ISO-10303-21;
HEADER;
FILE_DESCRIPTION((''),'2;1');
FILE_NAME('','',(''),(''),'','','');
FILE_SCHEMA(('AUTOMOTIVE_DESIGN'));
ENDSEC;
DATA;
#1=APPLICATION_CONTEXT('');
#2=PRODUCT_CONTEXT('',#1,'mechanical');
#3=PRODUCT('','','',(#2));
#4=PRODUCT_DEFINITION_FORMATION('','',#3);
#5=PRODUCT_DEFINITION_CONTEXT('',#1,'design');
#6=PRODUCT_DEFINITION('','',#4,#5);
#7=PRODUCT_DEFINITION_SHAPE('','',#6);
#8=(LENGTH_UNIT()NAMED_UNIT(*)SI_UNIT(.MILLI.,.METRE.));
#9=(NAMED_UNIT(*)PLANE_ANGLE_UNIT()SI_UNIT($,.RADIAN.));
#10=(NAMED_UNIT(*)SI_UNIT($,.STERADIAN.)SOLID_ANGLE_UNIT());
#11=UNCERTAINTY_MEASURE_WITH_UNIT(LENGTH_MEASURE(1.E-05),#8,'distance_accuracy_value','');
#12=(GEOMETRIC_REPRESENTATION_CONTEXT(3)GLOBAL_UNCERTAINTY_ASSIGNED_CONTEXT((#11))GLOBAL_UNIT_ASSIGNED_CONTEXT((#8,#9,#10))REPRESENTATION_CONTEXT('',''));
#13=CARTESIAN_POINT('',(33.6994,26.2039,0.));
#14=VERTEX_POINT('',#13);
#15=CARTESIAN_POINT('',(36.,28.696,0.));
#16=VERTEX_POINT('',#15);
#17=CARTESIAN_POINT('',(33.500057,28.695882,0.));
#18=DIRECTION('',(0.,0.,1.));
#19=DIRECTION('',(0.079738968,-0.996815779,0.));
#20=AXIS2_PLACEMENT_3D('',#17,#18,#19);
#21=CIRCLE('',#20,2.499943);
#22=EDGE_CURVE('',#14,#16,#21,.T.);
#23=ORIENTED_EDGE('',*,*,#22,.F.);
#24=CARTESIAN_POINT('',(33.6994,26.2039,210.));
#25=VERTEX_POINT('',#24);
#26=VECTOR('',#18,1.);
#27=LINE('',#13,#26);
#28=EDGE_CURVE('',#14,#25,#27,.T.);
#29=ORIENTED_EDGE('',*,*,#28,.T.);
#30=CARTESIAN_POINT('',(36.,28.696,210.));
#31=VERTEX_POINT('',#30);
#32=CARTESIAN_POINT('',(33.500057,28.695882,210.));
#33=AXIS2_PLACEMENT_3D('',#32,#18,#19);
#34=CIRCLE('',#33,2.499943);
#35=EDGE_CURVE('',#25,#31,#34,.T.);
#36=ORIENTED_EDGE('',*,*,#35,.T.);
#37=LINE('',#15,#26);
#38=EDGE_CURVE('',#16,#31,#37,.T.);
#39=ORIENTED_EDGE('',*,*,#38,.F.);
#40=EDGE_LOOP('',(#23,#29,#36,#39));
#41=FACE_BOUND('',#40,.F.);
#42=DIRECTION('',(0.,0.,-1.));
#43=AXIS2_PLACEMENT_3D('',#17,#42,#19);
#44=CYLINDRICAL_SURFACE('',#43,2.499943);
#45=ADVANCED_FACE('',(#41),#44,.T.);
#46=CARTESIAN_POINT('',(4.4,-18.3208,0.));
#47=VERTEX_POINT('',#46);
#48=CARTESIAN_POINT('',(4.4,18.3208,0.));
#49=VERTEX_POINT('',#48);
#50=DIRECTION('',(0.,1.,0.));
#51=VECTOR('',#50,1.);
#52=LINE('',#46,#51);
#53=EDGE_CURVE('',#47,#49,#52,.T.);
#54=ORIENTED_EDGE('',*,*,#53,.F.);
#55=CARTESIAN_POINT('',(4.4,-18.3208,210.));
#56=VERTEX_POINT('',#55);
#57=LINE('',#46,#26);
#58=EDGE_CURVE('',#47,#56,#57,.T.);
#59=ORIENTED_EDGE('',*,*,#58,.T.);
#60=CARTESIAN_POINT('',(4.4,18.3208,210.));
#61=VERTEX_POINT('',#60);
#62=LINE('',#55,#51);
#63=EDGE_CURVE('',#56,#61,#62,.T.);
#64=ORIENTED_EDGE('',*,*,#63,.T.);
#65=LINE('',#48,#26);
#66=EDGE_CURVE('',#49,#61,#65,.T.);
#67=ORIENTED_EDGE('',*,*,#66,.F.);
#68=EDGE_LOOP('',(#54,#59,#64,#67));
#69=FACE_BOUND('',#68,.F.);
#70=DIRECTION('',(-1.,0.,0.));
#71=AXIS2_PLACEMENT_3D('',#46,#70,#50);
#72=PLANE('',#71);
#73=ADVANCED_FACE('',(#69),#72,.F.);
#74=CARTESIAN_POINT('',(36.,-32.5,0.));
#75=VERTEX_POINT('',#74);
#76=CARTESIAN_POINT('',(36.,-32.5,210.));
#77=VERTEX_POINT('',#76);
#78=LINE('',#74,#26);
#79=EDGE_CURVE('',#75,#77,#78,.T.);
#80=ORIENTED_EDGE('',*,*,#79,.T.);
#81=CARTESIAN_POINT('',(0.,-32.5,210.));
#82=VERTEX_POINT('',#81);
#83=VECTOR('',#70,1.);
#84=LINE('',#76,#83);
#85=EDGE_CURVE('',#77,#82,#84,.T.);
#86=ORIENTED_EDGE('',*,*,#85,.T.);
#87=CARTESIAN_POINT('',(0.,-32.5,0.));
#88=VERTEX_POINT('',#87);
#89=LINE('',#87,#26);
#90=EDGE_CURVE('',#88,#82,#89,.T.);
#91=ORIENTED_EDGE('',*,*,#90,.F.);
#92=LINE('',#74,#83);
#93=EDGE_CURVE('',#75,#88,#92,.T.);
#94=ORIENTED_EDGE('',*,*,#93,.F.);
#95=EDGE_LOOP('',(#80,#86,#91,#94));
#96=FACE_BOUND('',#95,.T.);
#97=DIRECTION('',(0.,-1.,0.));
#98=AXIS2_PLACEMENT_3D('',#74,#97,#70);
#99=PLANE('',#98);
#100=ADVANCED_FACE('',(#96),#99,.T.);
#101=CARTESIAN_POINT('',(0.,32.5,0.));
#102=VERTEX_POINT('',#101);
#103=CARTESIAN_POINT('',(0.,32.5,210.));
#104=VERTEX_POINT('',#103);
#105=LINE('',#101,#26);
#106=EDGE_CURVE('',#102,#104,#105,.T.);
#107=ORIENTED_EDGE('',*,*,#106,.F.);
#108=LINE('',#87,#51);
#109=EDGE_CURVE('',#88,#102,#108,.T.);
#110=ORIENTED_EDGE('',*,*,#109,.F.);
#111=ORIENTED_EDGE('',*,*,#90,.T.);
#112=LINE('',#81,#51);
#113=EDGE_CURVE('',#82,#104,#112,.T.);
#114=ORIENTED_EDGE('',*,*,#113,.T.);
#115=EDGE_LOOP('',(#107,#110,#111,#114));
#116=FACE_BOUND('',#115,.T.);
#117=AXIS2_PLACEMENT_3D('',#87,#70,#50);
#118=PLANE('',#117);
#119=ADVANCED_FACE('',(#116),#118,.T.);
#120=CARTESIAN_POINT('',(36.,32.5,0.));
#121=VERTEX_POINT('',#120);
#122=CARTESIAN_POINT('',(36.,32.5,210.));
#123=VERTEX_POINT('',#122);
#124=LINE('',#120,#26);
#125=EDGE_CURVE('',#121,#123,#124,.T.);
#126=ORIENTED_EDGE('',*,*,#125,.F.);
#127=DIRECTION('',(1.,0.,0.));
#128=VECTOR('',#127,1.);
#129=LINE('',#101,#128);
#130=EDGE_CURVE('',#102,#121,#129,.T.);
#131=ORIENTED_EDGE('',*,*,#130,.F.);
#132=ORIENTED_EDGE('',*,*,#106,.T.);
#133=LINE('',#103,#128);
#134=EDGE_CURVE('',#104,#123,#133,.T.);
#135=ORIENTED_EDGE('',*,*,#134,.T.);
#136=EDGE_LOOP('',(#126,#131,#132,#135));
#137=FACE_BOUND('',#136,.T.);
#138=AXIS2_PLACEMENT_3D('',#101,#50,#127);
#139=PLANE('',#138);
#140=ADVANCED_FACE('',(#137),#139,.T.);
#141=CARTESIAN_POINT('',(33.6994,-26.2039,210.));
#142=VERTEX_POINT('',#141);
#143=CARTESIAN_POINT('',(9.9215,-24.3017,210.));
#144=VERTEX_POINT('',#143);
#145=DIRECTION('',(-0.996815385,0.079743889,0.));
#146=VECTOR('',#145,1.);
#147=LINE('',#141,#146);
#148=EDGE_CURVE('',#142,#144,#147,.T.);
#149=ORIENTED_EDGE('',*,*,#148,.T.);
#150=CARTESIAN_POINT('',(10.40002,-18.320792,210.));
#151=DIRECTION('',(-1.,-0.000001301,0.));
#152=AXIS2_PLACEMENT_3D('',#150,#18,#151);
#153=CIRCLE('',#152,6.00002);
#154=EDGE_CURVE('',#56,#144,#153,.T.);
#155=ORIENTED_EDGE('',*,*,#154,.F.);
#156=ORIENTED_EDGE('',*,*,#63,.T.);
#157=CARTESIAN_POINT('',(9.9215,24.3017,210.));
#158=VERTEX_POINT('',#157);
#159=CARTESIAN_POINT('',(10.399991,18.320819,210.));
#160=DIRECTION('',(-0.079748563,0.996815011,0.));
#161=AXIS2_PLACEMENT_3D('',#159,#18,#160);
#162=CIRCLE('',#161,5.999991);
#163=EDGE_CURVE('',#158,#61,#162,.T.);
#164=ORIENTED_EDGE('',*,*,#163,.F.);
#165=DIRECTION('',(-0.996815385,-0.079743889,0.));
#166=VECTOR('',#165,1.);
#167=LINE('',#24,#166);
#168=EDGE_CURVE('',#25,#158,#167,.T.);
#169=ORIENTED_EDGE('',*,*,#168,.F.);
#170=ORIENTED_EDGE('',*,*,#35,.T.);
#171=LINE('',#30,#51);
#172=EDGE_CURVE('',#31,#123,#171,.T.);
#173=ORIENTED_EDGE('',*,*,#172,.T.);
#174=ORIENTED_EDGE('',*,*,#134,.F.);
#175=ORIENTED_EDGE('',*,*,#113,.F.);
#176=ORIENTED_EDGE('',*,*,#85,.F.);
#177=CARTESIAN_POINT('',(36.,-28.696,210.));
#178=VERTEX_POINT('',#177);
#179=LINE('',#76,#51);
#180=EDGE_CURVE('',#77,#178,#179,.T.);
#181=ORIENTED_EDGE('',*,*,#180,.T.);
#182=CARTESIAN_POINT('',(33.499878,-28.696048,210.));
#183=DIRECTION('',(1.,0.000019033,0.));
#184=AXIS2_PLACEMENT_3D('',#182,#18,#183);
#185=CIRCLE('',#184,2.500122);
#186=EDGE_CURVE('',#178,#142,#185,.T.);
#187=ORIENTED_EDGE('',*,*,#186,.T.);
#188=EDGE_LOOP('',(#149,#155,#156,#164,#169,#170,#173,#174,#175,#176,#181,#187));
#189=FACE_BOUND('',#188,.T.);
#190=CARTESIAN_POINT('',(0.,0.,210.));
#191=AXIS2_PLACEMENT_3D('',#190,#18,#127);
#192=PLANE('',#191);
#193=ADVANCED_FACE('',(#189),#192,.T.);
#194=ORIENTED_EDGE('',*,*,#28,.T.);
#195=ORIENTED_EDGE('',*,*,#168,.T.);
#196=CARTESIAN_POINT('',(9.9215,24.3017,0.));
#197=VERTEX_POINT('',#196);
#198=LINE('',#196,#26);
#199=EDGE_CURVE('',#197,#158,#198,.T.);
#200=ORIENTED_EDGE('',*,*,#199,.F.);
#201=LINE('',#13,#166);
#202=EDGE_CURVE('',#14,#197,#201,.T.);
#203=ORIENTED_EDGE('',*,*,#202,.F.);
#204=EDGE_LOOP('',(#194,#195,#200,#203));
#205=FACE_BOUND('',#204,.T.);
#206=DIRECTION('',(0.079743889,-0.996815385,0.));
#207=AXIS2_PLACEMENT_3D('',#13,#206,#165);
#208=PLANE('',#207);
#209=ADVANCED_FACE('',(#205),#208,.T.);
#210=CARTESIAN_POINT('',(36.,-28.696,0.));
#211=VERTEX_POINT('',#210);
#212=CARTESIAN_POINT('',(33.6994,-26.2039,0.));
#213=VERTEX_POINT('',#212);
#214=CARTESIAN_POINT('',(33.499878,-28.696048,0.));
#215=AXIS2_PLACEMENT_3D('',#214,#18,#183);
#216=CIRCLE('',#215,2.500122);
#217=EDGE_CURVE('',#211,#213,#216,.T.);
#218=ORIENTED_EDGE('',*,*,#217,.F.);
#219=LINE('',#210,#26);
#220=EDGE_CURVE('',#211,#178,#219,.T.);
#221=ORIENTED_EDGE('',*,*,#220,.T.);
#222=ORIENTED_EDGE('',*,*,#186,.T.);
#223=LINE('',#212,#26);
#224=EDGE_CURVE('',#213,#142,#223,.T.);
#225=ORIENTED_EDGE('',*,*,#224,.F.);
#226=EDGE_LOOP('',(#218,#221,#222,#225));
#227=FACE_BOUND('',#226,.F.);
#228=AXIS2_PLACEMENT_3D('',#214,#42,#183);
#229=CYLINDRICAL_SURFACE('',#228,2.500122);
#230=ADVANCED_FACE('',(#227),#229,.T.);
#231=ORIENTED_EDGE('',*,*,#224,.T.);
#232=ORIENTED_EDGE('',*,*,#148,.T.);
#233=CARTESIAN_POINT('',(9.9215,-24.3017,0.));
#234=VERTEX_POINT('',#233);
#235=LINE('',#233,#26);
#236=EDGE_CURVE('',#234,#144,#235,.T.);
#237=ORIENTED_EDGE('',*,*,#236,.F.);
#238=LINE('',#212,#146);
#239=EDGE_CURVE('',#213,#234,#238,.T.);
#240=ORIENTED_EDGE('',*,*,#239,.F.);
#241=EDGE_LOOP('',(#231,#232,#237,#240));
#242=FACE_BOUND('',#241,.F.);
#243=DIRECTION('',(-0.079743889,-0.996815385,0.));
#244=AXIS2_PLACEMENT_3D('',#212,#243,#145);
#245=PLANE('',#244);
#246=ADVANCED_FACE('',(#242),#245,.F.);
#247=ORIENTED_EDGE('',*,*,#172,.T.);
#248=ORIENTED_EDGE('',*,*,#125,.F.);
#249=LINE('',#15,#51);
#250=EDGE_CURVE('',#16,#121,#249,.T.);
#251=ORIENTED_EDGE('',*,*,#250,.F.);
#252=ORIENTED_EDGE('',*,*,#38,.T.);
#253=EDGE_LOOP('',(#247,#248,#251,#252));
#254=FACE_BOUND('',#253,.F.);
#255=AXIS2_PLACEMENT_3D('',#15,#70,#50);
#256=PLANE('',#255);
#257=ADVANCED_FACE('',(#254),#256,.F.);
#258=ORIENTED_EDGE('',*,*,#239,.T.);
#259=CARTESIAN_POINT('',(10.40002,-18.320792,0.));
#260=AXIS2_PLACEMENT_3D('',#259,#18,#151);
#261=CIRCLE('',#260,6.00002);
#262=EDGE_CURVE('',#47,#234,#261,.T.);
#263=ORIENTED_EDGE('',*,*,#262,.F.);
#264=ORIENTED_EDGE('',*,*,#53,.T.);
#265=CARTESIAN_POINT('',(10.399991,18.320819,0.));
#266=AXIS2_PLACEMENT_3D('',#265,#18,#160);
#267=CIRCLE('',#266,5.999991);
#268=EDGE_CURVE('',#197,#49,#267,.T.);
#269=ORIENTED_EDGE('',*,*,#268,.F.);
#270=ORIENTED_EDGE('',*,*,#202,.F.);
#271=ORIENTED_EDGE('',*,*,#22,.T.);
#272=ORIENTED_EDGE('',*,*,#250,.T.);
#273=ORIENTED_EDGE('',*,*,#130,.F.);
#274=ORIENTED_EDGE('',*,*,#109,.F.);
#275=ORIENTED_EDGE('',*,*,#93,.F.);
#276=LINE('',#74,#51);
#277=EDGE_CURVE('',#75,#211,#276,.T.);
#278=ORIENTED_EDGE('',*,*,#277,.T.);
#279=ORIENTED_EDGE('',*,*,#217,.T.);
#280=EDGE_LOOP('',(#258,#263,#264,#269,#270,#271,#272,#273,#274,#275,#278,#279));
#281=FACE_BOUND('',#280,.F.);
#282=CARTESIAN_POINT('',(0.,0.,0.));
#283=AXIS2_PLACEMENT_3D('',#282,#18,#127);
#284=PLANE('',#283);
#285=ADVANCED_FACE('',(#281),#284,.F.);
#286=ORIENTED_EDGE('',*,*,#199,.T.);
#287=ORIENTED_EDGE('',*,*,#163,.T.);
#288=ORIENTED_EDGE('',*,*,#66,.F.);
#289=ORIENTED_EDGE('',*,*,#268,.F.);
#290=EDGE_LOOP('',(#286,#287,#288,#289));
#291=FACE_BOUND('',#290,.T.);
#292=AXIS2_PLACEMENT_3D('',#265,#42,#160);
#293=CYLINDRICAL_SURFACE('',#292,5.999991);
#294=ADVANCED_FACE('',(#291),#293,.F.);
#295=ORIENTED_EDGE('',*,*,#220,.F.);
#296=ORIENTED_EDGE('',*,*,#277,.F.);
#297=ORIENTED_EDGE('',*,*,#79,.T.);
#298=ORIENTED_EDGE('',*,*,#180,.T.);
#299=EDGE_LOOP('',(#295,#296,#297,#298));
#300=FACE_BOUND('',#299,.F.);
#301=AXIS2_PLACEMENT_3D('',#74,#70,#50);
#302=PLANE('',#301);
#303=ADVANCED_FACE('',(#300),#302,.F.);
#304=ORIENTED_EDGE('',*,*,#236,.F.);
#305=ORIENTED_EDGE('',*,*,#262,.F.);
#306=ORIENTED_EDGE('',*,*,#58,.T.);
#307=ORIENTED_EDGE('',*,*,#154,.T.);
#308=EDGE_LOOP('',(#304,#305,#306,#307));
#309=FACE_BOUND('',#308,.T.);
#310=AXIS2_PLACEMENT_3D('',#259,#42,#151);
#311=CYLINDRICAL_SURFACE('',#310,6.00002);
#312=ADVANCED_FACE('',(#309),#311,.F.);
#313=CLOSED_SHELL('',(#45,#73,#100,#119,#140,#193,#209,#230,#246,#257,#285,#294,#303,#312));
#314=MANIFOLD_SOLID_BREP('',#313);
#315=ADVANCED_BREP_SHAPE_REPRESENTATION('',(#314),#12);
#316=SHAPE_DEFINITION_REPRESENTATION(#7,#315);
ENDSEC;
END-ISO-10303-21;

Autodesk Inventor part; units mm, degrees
ref_plane "YZ Plane" through (0, 0, 0) normal (1, 0, 0) x (0, 1, 0)
ref_plane "Начальная плоскость" through (0, 0, 0) normal (0, 0, 1) x (1, 0, 0)
ref_plane "Конечная плоскость" through (0, 0, 210) normal (0, 0, 1) x (1, 0, 0)
sketch "Эскиз" plane through (0, 0, 0) normal (0, 0, 1) x (1, 0, 0)
  line L0 (36, -32.5) -> (0, -32.5)
  line L1 (36, -32.5) -> (36, -28.696)
  line L2 (33.6994, -26.2039) -> (9.9215, -24.3017)
  line L3 (4.4, -18.3208) -> (4.4, 18.3208)
  line L4 (33.6994, 26.2039) -> (9.9215, 24.3017)
  line L5 (36, 28.696) -> (36, 32.5)
  line L6 (0, 32.5) -> (36, 32.5)
  line L7 (0, -32.5) -> (0, 32.5)
  arc A0 (4.4, -18.3208) -> (9.9215, -24.3017) centre (10.4, -18.3208) ccw
  arc A1 (9.9215, 24.3017) -> (4.4, 18.3208) centre (10.4, 18.3208) ccw
  arc A2 (36, -28.696) -> (33.6994, -26.2039) centre (33.5, -28.696) ccw
  arc A3 (33.6994, 26.2039) -> (36, 28.696) centre (33.5, 28.696) ccw
  line L8 (0, 45.5) -> (0, -45.5) construction
  line L9 (-7.2974, 0) -> (43.7847, 0) construction
  point P0 (36, -26.388)
  point P1 (4.4, -23.86)
  point P2 (4.4, 23.86)
  point P3 (36, 26.388)
  dimension "d3" = 36
  dimension "d5" = 4.4
  dimension "d7" = 65
  dimension "d9" = 8.64
  dimension "d11" = 8.64
  dimension "d13" = 6.112
  dimension "d15" = 6.112
  dimension "d22" = 6
  dimension "d23" = 2.5
  dimension "d24" = 32.5
  dimension "d25" = 0
extrude "Тело" add sketch "Эскиз" along normal up to surface (210 mm away) from surface at 0
sketch "Sketch3" plane through (0, 0, 0) normal (0, 0, 1) x (1, 0, 0)
  line L0 (0, 0) -> (10, 0)
ref_plane "Work Plane7" through (0, 0, 0) normal (0, -1, 0) x (1, 0, 0)
sketch "Sketch4" plane through (0, 0, 0) normal (0, -1, 0) x (1, 0, 0)
  line L0 (-2, 0) -> (12, 0)
  line L1 (-2, 210) -> (12, 210)
  dimension "d29" = 210
equation "\"d3\" = b"
equation "\"d5\" = t1"
equation "\"d7\" = ParH"
equation "\"d9\" = msp_x1 + t2"
equation "\"d11\" = msp_x1 + t2"
equation "\"d13\" = -msp_x2 + t2"
equation "\"d15\" = -msp_x2 + t2"
equation "\"d22\" = R"
equation "\"d23\" = R1"
equation "\"d24\" = 0.5 * d7"
equation "\"d16\" = G_L"
equation "\"R1\" = 2.5"
equation "\"R\" = 6"
equation "\"t1\" = 4.4"
equation "\"t2\" = 7.2"
equation "\"ParH\" = 65"
equation "\"b\" = 36"
equation "\"msp_x1\" = 0.04 * b"
equation "\"msp_x2\" = -0.08 * t1 + 0.04 * b"
equation "\"G_L\" = d29"
equation "\"ex\" = 0"
equation "\"G_OFFSET_START\" = 0"
equation "\"G_OFFSET_END\" = 0"
properties part number "Швеллер 6.5U-210 ГОСТ 8240-97"
